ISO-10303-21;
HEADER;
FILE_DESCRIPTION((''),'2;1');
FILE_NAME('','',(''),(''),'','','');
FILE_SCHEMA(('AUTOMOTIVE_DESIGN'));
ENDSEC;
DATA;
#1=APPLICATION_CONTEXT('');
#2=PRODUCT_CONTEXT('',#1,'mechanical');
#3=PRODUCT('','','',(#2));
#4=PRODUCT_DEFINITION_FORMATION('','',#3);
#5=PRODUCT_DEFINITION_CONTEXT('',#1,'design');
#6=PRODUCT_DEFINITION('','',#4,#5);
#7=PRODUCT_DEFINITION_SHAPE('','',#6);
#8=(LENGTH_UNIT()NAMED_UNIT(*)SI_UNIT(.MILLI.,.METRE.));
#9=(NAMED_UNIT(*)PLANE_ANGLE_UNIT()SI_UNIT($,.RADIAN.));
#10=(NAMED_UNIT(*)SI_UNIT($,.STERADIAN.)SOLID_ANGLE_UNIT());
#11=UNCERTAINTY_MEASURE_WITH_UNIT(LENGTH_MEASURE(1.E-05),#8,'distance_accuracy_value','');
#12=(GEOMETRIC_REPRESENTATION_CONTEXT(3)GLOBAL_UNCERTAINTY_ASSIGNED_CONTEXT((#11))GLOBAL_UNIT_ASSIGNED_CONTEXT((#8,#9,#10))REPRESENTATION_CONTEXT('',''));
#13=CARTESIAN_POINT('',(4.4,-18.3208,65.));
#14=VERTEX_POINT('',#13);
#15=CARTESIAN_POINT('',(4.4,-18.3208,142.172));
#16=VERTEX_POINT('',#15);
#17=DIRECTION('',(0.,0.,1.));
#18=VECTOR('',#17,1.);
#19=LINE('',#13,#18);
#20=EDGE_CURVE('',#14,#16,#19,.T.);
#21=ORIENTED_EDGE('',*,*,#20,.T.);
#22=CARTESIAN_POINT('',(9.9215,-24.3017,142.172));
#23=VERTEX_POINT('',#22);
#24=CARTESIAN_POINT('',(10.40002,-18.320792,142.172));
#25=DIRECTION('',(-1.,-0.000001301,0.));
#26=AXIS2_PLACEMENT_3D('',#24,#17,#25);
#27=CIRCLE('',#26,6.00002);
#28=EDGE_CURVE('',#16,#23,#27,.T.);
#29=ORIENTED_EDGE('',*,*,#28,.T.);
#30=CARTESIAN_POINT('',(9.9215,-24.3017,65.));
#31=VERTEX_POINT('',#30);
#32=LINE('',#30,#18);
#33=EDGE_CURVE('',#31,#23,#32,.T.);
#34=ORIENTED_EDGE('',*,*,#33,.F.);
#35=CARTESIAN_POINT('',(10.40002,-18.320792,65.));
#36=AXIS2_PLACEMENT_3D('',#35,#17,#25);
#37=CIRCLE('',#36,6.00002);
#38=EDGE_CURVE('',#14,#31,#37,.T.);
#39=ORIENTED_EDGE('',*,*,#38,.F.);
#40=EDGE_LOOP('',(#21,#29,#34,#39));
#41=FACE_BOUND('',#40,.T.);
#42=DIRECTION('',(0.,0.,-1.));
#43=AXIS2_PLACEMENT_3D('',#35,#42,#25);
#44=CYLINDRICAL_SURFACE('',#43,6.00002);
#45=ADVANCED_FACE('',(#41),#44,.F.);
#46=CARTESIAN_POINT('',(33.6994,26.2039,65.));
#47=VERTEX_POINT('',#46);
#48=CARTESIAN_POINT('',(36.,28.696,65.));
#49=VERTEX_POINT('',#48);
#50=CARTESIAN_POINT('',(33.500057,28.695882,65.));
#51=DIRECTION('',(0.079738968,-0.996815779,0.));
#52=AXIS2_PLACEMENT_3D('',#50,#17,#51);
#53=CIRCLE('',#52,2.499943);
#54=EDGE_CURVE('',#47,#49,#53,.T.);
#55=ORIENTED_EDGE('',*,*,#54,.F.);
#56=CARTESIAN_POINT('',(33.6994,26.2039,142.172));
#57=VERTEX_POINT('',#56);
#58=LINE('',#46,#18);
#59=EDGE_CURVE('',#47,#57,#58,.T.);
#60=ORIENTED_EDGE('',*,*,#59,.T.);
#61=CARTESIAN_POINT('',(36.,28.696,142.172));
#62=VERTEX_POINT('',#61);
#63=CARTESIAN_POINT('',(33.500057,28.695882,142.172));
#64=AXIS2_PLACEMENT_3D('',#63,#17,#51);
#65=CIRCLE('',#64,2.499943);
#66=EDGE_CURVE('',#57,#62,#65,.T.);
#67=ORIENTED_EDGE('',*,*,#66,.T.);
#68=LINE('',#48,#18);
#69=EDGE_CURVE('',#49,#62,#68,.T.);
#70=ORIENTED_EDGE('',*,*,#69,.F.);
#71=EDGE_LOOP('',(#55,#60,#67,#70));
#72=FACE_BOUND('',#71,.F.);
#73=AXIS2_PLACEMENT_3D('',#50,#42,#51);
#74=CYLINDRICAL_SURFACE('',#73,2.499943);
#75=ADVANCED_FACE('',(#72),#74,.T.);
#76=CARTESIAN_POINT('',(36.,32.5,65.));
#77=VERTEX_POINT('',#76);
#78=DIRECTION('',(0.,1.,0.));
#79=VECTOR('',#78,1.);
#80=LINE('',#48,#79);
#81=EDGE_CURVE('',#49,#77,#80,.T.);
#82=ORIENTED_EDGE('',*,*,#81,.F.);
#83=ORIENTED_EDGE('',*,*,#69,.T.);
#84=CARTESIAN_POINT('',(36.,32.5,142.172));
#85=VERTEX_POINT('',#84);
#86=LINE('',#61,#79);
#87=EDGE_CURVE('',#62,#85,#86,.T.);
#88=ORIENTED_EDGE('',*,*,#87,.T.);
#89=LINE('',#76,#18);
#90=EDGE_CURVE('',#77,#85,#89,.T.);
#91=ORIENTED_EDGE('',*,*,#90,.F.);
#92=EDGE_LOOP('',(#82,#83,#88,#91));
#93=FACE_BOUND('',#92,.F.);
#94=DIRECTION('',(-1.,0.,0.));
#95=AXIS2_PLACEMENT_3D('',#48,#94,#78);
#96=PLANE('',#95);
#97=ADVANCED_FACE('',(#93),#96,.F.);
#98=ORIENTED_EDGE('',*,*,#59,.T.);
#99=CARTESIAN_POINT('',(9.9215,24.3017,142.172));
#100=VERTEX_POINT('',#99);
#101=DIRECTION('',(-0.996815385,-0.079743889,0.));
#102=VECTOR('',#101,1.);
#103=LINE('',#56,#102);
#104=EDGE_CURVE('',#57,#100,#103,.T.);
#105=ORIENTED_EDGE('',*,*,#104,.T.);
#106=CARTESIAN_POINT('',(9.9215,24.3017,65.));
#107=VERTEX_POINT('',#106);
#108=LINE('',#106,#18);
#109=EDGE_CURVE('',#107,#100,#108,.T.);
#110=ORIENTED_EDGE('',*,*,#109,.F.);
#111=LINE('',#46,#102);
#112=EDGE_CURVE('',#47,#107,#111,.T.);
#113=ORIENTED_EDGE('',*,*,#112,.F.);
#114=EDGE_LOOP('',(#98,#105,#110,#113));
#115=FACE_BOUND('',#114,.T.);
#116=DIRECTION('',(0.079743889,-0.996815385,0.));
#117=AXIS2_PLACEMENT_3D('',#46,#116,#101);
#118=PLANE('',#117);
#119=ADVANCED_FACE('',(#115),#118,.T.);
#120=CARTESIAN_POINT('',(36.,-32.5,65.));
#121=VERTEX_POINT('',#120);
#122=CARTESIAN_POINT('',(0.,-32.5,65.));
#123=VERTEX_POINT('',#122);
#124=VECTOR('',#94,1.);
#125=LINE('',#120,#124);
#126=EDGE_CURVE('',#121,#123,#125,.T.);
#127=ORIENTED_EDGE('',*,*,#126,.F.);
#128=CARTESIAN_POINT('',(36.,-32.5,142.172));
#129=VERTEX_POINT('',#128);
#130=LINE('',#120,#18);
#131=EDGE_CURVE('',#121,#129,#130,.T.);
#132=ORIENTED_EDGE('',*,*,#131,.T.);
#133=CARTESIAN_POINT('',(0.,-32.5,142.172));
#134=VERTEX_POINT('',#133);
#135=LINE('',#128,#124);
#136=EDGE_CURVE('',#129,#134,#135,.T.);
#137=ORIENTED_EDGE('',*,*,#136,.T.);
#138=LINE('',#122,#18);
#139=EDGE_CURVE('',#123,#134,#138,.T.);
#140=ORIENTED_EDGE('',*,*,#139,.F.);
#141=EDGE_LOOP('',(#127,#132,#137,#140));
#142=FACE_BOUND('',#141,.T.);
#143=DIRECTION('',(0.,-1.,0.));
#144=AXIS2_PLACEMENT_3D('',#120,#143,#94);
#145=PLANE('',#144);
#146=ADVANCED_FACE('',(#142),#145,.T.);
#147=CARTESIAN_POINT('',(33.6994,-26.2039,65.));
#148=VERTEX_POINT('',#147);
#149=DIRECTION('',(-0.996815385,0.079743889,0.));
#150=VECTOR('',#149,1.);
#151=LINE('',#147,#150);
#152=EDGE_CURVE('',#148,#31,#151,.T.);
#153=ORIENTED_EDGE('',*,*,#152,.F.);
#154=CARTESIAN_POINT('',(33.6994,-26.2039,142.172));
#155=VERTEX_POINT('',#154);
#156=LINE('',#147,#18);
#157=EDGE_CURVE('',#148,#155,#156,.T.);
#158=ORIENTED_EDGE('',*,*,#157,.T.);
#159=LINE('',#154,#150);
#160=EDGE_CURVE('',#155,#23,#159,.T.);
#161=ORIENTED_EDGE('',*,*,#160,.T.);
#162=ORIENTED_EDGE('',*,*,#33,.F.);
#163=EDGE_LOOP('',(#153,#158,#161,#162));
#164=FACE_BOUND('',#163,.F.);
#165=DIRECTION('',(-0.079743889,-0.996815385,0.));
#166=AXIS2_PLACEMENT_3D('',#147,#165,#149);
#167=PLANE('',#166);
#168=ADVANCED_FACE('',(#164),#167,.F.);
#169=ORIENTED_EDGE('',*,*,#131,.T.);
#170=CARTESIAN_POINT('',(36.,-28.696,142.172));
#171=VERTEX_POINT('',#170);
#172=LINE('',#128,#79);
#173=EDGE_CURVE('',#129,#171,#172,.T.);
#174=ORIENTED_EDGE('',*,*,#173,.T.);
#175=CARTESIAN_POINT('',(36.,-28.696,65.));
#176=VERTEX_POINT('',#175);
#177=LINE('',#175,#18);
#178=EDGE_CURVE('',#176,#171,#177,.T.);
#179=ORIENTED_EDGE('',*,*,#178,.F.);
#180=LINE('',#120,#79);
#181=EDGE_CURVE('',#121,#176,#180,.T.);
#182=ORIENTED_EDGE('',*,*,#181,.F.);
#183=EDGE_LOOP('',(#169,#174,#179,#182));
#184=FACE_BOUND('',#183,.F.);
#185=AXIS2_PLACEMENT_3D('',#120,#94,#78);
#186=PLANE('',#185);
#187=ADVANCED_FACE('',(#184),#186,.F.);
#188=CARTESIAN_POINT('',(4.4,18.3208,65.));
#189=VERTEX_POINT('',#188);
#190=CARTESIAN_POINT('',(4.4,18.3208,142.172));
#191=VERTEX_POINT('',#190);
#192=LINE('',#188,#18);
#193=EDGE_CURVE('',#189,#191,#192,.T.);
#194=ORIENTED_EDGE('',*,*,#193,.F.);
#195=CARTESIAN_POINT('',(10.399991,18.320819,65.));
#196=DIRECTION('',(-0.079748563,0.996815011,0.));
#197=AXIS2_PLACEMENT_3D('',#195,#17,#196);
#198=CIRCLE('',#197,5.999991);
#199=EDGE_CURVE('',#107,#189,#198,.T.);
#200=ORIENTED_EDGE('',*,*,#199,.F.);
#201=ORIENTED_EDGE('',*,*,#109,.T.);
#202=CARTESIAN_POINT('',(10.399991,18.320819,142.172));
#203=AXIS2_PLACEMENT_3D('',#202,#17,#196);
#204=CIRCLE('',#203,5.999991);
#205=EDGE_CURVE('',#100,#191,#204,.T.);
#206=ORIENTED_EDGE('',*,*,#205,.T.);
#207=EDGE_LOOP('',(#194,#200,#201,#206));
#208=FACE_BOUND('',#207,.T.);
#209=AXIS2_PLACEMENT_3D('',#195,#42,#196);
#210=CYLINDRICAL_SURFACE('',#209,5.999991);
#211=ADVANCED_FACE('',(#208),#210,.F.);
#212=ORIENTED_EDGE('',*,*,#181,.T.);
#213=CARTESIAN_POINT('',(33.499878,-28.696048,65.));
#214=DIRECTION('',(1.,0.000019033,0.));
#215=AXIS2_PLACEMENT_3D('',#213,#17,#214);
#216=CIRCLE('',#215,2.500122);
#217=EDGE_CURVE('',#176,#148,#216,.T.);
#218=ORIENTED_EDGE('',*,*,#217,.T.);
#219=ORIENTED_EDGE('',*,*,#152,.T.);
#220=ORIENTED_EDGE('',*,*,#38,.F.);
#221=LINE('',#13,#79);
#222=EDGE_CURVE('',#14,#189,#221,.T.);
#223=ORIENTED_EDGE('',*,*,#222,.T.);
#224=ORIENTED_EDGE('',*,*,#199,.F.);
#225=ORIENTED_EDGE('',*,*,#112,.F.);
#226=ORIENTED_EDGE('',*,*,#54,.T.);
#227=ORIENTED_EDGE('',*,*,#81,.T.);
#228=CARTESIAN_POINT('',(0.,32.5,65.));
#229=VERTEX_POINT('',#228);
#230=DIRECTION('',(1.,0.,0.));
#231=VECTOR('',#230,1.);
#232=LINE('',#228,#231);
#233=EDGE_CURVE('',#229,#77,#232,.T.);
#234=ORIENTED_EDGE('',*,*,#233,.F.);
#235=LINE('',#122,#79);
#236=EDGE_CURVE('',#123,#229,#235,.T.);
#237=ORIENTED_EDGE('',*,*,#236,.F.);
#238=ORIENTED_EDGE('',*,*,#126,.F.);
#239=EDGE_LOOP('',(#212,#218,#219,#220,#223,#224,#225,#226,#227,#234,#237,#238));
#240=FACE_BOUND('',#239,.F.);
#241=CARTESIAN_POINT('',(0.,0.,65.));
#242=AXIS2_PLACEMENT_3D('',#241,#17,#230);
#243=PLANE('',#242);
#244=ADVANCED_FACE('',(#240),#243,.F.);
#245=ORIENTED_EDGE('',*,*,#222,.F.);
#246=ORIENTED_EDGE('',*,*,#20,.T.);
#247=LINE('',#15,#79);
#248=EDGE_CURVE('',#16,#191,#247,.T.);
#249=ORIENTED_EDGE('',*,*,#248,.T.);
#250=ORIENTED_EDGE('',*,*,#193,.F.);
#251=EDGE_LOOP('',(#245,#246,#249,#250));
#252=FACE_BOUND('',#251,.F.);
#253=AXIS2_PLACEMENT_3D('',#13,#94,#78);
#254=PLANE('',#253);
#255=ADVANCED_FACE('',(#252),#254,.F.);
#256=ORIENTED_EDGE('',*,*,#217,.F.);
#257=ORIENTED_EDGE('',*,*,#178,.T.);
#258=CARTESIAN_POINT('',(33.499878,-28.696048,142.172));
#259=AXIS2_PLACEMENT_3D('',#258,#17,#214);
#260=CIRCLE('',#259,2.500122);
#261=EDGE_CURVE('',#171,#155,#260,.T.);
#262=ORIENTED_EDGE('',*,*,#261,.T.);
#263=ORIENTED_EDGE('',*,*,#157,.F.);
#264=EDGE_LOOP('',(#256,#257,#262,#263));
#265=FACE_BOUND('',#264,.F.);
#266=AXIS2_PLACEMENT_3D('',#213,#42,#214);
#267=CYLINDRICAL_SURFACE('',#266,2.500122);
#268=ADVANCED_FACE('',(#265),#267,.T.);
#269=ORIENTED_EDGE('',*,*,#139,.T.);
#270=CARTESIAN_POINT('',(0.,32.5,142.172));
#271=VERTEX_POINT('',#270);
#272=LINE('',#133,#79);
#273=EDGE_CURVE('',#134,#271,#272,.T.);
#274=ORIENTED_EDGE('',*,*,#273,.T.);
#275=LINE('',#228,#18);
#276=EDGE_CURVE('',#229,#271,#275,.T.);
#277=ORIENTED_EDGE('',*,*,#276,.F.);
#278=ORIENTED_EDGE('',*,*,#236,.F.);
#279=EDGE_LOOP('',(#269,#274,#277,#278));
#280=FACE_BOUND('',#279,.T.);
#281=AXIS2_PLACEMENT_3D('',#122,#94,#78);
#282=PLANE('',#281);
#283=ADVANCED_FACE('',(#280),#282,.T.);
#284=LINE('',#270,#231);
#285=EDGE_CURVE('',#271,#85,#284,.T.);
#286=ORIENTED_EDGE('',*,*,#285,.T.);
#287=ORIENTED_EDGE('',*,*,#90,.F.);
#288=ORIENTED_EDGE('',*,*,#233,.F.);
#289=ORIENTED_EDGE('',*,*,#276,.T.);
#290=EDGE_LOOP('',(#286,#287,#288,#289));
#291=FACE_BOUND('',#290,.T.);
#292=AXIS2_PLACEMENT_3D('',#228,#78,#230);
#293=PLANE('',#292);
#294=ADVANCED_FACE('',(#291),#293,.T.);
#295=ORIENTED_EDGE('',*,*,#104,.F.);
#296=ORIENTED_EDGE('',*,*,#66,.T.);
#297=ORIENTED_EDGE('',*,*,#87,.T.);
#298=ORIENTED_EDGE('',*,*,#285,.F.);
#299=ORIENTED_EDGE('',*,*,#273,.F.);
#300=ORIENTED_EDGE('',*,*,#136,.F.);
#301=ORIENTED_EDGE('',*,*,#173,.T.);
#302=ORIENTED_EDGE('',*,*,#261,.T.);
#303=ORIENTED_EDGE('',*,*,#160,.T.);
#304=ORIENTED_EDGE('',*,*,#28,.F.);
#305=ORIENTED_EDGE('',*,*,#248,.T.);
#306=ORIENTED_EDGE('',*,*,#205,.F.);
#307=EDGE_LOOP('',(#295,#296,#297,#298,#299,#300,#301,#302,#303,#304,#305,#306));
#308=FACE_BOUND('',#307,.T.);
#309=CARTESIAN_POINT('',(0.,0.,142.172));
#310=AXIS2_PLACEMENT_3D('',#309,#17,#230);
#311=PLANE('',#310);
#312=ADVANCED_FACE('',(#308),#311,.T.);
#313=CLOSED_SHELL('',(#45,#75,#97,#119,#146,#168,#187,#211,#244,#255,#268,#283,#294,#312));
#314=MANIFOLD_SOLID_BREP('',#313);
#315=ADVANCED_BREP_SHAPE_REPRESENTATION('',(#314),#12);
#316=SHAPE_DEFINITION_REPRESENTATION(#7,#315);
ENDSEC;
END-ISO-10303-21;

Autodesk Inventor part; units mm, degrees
ref_plane "Начальная плоскость" through (0, 0, 65) normal (0, 0, 1) x (1, 0, 0)
ref_plane "Конечная плоскость" through (0, 0, 142.172) normal (0, 0, 1) x (1, 0, 0)
sketch "Эскиз" plane through (0, 0, 0) normal (0, 0, 1) x (1, 0, 0)
  line L0 (36, -32.5) -> (0, -32.5)
  line L1 (36, -32.5) -> (36, -28.696)
  line L2 (33.6994, -26.2039) -> (9.9215, -24.3017)
  line L3 (4.4, -18.3208) -> (4.4, 18.3208)
  line L4 (33.6994, 26.2039) -> (9.9215, 24.3017)
  line L5 (36, 28.696) -> (36, 32.5)
  line L6 (0, 32.5) -> (36, 32.5)
  line L7 (0, -32.5) -> (0, 32.5)
  arc A0 (4.4, -18.3208) -> (9.9215, -24.3017) centre (10.4, -18.3208) ccw
  arc A1 (9.9215, 24.3017) -> (4.4, 18.3208) centre (10.4, 18.3208) ccw
  arc A2 (36, -28.696) -> (33.6994, -26.2039) centre (33.5, -28.696) ccw
  arc A3 (33.6994, 26.2039) -> (36, 28.696) centre (33.5, 28.696) ccw
  line L8 (0, 45.5) -> (0, -45.5) construction
  line L9 (-7.2974, 0) -> (43.7847, 0) construction
  point P0 (36, -26.388)
  point P1 (4.4, -23.86)
  point P2 (4.4, 23.86)
  point P3 (36, 26.388)
  dimension "d3" = 36
  dimension "d5" = 4.4
  dimension "d7" = 65
  dimension "d9" = 8.64
  dimension "d11" = 8.64
  dimension "d13" = 6.112
  dimension "d15" = 6.112
  dimension "d22" = 6
  dimension "d23" = 2.5
  dimension "d24" = 32.5
  dimension "d25" = 0
extrude "Тело" add sketch "Эскиз" along normal up to surface (77.172 mm away) from surface at 65
sketch "Sketch3" plane through (0, 0, 0) normal (0, 0, 1) x (1, 0, 0)
  line L0 (0, 0) -> (10, 0)
ref_plane "Work Plane7" through (0, 0, 0) normal (0, -1, 0) x (1, 0, 0)
sketch "Sketch4" plane through (0, 0, 0) normal (0, -1, 0) x (1, 0, 0)
  line L0 (-2, 65) -> (12, 65)
  line L1 (-2, 142.172) -> (12, 142.172)
  dimension "d29" = 77.172
ref_plane "РабПлоскость8" through (36, -32.5, 65) normal (0, 0, -1) x (-1, 0, 0)
split "Разделение1" plane through (36, -32.5, 65) removes the side toward (0, 0, -1)
ref_plane "РабПлоскость9" through (0, -32.5, 142.172) normal (0, 0, 1) x (1, 0, 0)
split "Разделение2" plane through (0, -32.5, 142.172) removes the side toward (0, 0, 1)
equation "\"d3\" = b"
equation "\"d5\" = t1"
equation "\"d7\" = ParH"
equation "\"d9\" = msp_x1 + t2"
equation "\"d11\" = msp_x1 + t2"
equation "\"d13\" = -msp_x2 + t2"
equation "\"d15\" = -msp_x2 + t2"
equation "\"d22\" = R"
equation "\"d23\" = R1"
equation "\"d24\" = 0.5 * d7"
equation "\"d16\" = G_L"
equation "\"R1\" = 2.5"
equation "\"R\" = 6"
equation "\"t1\" = 4.4"
equation "\"t2\" = 7.2"
equation "\"ParH\" = 65"
equation "\"b\" = 36"
equation "\"msp_x1\" = 0.04 * b"
equation "\"msp_x2\" = -0.08 * t1 + 0.04 * b"
equation "\"G_L\" = d29"
equation "\"ex\" = 0"
equation "\"G_OFFSET_START\" = -65"
equation "\"G_OFFSET_END\" = -65"
equation "\"d26\" = -G_OFFSET_START"
equation "\"d27\" = G_OFFSET_END + B_L"
equation "\"B_L\" = 207.172"
properties part number "Швеллер 6.5U-77,17 ГОСТ 8240-97" material "Сталь, мягкая"
